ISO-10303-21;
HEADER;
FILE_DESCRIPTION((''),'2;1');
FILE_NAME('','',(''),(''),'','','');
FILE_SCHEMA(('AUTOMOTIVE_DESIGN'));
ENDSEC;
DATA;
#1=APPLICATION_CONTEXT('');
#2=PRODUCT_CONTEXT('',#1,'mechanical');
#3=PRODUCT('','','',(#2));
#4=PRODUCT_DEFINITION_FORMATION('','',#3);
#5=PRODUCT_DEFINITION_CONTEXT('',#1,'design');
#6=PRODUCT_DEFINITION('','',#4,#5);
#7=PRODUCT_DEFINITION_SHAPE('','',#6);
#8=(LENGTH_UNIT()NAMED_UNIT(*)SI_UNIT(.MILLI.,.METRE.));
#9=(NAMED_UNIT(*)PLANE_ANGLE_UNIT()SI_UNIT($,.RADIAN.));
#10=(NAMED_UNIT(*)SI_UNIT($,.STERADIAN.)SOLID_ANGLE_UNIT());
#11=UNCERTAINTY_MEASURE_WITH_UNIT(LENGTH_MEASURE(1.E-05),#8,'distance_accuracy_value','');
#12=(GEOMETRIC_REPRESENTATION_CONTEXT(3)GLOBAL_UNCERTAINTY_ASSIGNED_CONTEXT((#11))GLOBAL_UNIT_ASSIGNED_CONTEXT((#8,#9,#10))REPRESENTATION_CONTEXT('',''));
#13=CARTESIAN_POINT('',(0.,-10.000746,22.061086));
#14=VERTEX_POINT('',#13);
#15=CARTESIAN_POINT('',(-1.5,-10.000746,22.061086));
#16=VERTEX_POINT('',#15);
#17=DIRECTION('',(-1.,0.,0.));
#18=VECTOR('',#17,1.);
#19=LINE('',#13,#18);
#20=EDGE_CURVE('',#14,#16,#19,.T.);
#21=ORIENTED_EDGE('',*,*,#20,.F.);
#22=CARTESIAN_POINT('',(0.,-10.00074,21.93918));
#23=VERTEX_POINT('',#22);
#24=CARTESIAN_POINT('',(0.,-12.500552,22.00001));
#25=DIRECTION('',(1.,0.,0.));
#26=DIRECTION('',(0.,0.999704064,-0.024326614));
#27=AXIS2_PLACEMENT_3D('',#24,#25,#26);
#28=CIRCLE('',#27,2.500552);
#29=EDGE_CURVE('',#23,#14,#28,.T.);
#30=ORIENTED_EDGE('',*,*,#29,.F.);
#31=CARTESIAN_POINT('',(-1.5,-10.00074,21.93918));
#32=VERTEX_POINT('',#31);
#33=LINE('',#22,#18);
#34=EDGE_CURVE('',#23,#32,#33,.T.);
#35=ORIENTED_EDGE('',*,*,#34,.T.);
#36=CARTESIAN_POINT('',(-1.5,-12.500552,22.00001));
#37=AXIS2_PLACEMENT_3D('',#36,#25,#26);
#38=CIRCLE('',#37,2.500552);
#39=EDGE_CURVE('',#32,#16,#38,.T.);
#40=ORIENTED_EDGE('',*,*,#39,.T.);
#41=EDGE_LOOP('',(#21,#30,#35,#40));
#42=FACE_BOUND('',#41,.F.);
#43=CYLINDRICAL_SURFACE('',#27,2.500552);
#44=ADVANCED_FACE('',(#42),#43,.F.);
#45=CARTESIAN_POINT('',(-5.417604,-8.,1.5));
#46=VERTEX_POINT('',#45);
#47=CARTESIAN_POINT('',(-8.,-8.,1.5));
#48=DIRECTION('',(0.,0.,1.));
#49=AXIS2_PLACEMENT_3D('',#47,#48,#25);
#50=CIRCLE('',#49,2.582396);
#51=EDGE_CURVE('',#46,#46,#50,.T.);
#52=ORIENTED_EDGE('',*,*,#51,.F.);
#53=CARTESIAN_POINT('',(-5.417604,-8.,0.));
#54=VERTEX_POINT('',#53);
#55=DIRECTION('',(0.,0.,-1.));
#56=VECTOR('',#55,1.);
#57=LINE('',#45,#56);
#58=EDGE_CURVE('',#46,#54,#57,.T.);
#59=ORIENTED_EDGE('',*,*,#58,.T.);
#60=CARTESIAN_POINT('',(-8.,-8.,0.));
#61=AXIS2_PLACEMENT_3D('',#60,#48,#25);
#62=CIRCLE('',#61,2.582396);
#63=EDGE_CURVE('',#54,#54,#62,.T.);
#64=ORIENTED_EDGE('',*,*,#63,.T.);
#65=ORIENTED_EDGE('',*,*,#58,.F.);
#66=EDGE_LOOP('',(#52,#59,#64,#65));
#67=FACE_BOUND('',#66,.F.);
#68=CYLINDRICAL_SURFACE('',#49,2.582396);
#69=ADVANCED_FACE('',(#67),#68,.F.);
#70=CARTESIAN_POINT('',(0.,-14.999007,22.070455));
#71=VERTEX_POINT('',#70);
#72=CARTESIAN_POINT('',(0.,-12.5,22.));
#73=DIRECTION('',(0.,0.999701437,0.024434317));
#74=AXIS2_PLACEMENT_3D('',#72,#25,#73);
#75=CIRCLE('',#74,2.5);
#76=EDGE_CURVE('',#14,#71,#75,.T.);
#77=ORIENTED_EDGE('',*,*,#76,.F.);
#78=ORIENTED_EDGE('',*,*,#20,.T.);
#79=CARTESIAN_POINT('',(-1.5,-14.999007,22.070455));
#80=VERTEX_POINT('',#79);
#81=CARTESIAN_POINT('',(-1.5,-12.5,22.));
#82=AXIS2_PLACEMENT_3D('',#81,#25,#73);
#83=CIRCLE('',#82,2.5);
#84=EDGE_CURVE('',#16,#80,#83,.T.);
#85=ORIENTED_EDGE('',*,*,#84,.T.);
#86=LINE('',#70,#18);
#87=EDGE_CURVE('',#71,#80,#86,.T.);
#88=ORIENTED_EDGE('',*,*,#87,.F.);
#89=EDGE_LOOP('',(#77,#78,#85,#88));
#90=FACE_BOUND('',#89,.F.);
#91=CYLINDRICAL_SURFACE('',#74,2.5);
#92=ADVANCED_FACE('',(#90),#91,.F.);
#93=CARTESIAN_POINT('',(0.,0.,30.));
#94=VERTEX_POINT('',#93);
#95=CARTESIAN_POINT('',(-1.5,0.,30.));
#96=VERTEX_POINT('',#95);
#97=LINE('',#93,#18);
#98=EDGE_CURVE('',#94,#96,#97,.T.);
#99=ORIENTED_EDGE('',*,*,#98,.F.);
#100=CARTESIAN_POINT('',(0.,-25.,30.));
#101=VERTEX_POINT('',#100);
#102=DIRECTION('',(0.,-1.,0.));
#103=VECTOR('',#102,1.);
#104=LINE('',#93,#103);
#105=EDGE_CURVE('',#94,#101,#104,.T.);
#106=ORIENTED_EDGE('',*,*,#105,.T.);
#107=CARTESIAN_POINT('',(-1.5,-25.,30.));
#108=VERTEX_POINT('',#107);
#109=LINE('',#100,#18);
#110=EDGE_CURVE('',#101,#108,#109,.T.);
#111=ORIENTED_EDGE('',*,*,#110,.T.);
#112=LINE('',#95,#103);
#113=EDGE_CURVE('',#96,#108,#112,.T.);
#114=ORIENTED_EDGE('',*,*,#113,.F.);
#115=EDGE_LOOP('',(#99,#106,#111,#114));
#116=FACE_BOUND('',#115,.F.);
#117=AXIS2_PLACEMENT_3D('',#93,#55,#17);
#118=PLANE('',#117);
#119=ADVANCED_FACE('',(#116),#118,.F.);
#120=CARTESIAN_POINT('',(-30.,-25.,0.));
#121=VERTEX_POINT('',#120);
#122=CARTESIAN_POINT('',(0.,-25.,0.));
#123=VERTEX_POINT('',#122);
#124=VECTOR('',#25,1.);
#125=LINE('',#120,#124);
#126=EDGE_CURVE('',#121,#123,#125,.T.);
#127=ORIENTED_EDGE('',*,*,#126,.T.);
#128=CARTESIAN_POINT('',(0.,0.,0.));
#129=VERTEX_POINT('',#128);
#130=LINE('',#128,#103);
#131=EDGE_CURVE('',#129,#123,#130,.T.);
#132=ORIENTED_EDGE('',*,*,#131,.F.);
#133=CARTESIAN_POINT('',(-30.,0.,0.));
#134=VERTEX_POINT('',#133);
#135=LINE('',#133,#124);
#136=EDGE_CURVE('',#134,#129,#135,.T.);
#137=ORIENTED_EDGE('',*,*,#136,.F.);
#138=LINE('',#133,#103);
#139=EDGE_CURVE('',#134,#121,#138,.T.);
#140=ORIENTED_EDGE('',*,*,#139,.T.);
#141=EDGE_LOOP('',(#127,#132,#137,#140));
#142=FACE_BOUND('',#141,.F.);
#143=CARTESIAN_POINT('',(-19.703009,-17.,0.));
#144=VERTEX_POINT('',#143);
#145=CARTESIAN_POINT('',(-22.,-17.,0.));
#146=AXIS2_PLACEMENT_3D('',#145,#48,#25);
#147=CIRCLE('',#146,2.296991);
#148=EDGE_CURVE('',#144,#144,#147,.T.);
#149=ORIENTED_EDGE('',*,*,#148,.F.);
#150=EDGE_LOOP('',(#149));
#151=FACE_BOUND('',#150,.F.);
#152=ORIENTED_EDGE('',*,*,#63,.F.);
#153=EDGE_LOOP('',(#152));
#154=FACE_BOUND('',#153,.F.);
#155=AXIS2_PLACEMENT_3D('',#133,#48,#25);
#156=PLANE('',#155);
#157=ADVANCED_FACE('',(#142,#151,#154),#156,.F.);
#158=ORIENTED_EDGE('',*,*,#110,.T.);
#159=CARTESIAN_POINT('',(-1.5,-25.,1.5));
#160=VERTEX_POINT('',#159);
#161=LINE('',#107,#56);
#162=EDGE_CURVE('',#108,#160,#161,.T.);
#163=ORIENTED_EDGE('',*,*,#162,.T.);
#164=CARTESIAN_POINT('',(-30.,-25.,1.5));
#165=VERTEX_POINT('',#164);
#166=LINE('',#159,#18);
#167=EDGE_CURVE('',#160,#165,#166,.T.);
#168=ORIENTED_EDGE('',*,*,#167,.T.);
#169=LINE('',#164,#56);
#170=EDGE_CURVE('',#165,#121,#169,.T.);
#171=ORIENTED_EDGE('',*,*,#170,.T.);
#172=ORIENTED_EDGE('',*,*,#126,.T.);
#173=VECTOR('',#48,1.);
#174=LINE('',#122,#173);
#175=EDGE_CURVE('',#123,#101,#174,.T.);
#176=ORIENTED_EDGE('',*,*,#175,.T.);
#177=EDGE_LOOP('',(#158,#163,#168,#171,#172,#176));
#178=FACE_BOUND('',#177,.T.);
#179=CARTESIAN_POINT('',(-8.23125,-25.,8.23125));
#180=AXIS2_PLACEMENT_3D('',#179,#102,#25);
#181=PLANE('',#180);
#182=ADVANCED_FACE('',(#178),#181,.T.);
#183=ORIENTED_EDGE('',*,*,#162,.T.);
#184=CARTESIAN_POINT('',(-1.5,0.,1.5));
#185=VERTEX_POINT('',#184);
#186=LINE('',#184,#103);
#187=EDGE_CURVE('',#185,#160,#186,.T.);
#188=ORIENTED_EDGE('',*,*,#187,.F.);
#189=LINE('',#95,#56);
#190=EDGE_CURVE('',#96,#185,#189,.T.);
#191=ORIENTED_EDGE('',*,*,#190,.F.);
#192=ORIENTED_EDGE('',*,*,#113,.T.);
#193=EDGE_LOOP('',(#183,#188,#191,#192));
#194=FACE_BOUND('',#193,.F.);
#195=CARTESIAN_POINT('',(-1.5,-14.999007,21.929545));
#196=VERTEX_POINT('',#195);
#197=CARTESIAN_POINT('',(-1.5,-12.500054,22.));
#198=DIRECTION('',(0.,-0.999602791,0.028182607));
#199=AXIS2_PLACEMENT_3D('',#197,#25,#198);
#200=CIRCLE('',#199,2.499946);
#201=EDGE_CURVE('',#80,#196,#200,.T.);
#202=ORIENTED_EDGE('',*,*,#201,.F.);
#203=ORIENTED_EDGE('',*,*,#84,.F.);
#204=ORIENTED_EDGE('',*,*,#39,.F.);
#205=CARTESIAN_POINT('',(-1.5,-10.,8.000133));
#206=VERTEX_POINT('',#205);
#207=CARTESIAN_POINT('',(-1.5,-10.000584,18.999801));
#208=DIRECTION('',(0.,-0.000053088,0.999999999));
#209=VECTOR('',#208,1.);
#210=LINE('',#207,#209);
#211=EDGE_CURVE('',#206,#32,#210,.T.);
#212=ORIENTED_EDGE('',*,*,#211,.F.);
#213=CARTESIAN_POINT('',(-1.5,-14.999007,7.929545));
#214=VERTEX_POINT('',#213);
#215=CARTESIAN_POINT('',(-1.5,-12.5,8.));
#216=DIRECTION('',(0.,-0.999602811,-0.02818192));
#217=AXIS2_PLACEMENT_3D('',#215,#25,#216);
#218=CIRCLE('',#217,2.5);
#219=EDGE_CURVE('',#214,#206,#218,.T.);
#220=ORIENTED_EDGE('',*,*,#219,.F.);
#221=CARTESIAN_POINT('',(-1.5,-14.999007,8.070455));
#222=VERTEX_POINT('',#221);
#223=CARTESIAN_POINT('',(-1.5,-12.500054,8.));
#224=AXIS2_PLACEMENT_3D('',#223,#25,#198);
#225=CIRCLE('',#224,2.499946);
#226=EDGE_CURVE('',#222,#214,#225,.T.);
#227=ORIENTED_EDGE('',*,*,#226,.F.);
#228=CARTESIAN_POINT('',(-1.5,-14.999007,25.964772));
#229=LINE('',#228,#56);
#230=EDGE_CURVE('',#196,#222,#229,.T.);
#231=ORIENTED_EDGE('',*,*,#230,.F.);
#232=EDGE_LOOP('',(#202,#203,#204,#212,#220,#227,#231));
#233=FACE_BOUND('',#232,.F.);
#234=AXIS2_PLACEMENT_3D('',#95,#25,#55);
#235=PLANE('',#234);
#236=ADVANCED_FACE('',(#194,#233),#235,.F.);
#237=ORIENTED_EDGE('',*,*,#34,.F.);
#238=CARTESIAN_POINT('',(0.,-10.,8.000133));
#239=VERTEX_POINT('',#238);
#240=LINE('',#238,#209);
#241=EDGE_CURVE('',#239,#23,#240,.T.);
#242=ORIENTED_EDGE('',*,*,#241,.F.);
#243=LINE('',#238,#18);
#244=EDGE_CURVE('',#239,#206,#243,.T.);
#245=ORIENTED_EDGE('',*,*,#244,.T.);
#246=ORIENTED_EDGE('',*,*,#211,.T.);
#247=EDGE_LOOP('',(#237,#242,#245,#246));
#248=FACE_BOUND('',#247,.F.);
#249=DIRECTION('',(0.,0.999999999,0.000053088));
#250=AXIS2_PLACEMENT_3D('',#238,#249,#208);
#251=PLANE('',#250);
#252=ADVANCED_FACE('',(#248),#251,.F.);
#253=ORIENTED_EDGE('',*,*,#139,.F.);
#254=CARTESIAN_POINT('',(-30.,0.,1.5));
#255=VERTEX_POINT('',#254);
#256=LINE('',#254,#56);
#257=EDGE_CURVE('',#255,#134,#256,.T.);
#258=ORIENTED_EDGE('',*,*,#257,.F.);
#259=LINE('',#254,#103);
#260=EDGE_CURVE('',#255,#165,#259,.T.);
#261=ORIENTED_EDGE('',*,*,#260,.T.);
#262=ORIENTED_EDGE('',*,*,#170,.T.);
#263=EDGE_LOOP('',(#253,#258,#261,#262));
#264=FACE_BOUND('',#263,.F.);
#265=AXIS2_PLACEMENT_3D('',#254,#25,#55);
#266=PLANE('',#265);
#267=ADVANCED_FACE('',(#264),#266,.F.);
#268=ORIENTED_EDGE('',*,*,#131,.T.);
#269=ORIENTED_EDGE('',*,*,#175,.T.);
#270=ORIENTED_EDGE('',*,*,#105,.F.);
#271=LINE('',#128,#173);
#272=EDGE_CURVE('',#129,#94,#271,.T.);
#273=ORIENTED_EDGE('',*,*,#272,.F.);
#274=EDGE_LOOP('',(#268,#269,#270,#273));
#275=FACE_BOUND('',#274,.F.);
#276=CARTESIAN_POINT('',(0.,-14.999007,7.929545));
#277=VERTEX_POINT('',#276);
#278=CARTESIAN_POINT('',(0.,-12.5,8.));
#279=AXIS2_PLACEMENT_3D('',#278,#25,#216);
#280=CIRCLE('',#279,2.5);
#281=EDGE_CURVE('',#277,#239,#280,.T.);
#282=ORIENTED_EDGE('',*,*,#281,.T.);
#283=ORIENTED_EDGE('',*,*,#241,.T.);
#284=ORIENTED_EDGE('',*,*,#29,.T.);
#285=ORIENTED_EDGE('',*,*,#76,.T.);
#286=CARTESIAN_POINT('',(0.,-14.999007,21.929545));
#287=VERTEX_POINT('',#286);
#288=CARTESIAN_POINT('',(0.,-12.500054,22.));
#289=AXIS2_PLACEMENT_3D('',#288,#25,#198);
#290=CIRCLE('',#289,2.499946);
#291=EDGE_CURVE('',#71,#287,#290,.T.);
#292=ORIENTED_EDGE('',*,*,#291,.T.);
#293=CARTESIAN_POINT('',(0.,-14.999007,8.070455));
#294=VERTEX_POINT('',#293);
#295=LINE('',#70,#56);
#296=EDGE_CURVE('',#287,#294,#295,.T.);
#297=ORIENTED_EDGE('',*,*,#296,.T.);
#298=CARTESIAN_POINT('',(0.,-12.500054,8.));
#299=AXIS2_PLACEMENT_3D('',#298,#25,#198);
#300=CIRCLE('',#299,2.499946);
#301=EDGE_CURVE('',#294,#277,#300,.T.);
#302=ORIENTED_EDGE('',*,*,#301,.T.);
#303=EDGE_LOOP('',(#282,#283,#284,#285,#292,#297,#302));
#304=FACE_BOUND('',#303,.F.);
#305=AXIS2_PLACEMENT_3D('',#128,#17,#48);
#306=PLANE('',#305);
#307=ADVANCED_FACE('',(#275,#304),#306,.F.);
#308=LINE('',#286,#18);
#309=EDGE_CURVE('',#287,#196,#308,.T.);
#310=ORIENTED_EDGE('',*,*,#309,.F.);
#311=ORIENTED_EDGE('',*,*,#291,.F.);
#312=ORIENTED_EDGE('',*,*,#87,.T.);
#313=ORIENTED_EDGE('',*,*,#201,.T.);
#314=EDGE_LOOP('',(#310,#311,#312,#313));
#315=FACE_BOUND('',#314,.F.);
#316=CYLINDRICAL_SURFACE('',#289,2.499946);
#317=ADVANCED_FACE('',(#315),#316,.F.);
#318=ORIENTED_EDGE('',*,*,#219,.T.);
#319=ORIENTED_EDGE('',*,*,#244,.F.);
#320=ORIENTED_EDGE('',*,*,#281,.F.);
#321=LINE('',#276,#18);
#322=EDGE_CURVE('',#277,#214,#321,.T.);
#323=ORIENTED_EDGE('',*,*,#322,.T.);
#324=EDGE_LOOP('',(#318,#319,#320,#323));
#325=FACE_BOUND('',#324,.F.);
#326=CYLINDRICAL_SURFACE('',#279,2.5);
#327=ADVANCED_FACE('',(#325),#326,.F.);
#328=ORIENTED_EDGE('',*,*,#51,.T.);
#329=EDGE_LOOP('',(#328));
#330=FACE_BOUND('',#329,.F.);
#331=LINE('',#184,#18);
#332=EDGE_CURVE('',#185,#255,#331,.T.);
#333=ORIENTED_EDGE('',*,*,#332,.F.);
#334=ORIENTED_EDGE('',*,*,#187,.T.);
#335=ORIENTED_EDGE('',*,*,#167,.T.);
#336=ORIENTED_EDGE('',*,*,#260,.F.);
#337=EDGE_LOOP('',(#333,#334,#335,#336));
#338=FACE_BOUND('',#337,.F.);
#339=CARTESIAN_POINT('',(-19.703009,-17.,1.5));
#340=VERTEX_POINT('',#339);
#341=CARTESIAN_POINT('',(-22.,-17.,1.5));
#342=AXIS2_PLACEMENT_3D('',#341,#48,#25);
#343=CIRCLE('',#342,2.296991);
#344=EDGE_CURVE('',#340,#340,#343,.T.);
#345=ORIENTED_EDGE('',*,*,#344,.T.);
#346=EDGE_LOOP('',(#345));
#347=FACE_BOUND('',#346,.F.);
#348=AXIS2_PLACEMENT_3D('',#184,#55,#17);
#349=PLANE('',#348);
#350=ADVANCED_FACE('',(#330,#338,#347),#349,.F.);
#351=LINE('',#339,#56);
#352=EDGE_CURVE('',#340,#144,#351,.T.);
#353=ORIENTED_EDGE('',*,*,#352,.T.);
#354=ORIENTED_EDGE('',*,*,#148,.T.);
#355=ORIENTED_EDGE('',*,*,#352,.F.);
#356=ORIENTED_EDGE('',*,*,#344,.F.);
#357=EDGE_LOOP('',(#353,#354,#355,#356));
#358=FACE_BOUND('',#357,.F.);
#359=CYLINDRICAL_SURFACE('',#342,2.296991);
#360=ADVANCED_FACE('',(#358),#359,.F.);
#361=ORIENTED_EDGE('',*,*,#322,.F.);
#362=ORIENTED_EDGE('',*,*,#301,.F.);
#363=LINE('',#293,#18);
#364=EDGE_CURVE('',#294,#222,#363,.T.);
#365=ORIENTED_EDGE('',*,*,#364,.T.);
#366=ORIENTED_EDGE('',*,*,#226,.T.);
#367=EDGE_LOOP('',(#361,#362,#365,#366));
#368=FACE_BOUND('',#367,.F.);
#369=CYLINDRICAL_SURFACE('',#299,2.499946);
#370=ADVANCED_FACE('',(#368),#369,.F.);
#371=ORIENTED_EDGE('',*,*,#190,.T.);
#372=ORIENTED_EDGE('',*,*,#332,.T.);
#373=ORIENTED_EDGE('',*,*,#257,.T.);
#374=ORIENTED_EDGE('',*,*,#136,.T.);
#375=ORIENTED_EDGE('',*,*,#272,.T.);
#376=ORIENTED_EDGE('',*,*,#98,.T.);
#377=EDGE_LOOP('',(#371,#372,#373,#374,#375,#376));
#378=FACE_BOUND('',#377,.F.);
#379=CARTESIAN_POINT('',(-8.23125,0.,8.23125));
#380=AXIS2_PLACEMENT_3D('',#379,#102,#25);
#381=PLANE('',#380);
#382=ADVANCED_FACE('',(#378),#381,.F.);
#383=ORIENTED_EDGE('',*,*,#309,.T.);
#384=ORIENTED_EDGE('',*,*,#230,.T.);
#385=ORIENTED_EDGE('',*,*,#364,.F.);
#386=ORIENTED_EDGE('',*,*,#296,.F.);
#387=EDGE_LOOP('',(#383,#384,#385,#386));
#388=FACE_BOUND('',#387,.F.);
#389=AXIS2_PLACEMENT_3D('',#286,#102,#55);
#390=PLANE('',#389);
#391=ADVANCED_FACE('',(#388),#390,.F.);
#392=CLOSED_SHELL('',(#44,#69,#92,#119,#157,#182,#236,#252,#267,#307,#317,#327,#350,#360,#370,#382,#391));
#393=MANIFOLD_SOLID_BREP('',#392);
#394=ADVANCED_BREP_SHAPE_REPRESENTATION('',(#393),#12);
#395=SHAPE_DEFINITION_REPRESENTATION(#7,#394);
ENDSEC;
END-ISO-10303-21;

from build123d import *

# Parameters (mm, degrees)
F1_DEPTH = 25
F2_R     = 2.296991
F2_R_2   = 2.582396
F3_DEPTH = 25
F5_DEPTH = 25


with BuildPart() as f1:
    # F0 (on Front) → F1 (new body)
    with BuildSketch(Plane.XZ):
        Polygon((0, 0), (0, 30), (-1.5, 30), (-1.5, 1.5), (-30, 1.5), (-30, 0), align=None)
    extrude(amount=F1_DEPTH)

    # F2 (on face) → F3 (cut)
    with BuildSketch(Plane.XY.offset(1.5)):
        with Locations((-22, -17)):
            Circle(F2_R)
        with Locations((-8, -8)):
            Circle(F2_R_2)
    extrude(amount=-F3_DEPTH, mode=Mode.SUBTRACT)

    # F4 (on face) → F5 (cut)
    with BuildSketch(Plane.YZ):
        with BuildLine():
            Line((-10.000746, 22.061086), (-10.00074, 21.93918))
            ThreePointArc((-10.00074, 21.93918), (-10, 22.000133), (-10.000746, 22.061086))
        make_face()
        with BuildLine():
            Line((-10, 8.000133), (-10.00074, 21.93918))
            Line((-10.00074, 21.93918), (-10.000746, 22.061086))
            ThreePointArc((-10.000746, 22.061086), (-12.495314, 24.499996), (-14.999007, 22.070455))
            Line((-14.999007, 22.070455), (-14.999007, 21.929545))
            Line((-14.999007, 21.929545), (-14.999007, 8.070455))
            Line((-14.999007, 8.070455), (-14.999007, 7.929545))
            ThreePointArc((-14.999007, 7.929545), (-12.464703, 5.500249), (-10, 8.000133))
        make_face()
        with BuildLine():
            Line((-14.999007, 21.929545), (-14.999007, 22.070455))
            ThreePointArc((-14.999007, 22.070455), (-15, 22), (-14.999007, 21.929545))
        make_face()
        with BuildLine():
            ThreePointArc((-14.999007, 8.070455), (-15, 8), (-14.999007, 7.929545))
            Line((-14.999007, 7.929545), (-14.999007, 8.070455))
        make_face()
    extrude(amount=-F5_DEPTH, mode=Mode.SUBTRACT)


solid = f1.part
